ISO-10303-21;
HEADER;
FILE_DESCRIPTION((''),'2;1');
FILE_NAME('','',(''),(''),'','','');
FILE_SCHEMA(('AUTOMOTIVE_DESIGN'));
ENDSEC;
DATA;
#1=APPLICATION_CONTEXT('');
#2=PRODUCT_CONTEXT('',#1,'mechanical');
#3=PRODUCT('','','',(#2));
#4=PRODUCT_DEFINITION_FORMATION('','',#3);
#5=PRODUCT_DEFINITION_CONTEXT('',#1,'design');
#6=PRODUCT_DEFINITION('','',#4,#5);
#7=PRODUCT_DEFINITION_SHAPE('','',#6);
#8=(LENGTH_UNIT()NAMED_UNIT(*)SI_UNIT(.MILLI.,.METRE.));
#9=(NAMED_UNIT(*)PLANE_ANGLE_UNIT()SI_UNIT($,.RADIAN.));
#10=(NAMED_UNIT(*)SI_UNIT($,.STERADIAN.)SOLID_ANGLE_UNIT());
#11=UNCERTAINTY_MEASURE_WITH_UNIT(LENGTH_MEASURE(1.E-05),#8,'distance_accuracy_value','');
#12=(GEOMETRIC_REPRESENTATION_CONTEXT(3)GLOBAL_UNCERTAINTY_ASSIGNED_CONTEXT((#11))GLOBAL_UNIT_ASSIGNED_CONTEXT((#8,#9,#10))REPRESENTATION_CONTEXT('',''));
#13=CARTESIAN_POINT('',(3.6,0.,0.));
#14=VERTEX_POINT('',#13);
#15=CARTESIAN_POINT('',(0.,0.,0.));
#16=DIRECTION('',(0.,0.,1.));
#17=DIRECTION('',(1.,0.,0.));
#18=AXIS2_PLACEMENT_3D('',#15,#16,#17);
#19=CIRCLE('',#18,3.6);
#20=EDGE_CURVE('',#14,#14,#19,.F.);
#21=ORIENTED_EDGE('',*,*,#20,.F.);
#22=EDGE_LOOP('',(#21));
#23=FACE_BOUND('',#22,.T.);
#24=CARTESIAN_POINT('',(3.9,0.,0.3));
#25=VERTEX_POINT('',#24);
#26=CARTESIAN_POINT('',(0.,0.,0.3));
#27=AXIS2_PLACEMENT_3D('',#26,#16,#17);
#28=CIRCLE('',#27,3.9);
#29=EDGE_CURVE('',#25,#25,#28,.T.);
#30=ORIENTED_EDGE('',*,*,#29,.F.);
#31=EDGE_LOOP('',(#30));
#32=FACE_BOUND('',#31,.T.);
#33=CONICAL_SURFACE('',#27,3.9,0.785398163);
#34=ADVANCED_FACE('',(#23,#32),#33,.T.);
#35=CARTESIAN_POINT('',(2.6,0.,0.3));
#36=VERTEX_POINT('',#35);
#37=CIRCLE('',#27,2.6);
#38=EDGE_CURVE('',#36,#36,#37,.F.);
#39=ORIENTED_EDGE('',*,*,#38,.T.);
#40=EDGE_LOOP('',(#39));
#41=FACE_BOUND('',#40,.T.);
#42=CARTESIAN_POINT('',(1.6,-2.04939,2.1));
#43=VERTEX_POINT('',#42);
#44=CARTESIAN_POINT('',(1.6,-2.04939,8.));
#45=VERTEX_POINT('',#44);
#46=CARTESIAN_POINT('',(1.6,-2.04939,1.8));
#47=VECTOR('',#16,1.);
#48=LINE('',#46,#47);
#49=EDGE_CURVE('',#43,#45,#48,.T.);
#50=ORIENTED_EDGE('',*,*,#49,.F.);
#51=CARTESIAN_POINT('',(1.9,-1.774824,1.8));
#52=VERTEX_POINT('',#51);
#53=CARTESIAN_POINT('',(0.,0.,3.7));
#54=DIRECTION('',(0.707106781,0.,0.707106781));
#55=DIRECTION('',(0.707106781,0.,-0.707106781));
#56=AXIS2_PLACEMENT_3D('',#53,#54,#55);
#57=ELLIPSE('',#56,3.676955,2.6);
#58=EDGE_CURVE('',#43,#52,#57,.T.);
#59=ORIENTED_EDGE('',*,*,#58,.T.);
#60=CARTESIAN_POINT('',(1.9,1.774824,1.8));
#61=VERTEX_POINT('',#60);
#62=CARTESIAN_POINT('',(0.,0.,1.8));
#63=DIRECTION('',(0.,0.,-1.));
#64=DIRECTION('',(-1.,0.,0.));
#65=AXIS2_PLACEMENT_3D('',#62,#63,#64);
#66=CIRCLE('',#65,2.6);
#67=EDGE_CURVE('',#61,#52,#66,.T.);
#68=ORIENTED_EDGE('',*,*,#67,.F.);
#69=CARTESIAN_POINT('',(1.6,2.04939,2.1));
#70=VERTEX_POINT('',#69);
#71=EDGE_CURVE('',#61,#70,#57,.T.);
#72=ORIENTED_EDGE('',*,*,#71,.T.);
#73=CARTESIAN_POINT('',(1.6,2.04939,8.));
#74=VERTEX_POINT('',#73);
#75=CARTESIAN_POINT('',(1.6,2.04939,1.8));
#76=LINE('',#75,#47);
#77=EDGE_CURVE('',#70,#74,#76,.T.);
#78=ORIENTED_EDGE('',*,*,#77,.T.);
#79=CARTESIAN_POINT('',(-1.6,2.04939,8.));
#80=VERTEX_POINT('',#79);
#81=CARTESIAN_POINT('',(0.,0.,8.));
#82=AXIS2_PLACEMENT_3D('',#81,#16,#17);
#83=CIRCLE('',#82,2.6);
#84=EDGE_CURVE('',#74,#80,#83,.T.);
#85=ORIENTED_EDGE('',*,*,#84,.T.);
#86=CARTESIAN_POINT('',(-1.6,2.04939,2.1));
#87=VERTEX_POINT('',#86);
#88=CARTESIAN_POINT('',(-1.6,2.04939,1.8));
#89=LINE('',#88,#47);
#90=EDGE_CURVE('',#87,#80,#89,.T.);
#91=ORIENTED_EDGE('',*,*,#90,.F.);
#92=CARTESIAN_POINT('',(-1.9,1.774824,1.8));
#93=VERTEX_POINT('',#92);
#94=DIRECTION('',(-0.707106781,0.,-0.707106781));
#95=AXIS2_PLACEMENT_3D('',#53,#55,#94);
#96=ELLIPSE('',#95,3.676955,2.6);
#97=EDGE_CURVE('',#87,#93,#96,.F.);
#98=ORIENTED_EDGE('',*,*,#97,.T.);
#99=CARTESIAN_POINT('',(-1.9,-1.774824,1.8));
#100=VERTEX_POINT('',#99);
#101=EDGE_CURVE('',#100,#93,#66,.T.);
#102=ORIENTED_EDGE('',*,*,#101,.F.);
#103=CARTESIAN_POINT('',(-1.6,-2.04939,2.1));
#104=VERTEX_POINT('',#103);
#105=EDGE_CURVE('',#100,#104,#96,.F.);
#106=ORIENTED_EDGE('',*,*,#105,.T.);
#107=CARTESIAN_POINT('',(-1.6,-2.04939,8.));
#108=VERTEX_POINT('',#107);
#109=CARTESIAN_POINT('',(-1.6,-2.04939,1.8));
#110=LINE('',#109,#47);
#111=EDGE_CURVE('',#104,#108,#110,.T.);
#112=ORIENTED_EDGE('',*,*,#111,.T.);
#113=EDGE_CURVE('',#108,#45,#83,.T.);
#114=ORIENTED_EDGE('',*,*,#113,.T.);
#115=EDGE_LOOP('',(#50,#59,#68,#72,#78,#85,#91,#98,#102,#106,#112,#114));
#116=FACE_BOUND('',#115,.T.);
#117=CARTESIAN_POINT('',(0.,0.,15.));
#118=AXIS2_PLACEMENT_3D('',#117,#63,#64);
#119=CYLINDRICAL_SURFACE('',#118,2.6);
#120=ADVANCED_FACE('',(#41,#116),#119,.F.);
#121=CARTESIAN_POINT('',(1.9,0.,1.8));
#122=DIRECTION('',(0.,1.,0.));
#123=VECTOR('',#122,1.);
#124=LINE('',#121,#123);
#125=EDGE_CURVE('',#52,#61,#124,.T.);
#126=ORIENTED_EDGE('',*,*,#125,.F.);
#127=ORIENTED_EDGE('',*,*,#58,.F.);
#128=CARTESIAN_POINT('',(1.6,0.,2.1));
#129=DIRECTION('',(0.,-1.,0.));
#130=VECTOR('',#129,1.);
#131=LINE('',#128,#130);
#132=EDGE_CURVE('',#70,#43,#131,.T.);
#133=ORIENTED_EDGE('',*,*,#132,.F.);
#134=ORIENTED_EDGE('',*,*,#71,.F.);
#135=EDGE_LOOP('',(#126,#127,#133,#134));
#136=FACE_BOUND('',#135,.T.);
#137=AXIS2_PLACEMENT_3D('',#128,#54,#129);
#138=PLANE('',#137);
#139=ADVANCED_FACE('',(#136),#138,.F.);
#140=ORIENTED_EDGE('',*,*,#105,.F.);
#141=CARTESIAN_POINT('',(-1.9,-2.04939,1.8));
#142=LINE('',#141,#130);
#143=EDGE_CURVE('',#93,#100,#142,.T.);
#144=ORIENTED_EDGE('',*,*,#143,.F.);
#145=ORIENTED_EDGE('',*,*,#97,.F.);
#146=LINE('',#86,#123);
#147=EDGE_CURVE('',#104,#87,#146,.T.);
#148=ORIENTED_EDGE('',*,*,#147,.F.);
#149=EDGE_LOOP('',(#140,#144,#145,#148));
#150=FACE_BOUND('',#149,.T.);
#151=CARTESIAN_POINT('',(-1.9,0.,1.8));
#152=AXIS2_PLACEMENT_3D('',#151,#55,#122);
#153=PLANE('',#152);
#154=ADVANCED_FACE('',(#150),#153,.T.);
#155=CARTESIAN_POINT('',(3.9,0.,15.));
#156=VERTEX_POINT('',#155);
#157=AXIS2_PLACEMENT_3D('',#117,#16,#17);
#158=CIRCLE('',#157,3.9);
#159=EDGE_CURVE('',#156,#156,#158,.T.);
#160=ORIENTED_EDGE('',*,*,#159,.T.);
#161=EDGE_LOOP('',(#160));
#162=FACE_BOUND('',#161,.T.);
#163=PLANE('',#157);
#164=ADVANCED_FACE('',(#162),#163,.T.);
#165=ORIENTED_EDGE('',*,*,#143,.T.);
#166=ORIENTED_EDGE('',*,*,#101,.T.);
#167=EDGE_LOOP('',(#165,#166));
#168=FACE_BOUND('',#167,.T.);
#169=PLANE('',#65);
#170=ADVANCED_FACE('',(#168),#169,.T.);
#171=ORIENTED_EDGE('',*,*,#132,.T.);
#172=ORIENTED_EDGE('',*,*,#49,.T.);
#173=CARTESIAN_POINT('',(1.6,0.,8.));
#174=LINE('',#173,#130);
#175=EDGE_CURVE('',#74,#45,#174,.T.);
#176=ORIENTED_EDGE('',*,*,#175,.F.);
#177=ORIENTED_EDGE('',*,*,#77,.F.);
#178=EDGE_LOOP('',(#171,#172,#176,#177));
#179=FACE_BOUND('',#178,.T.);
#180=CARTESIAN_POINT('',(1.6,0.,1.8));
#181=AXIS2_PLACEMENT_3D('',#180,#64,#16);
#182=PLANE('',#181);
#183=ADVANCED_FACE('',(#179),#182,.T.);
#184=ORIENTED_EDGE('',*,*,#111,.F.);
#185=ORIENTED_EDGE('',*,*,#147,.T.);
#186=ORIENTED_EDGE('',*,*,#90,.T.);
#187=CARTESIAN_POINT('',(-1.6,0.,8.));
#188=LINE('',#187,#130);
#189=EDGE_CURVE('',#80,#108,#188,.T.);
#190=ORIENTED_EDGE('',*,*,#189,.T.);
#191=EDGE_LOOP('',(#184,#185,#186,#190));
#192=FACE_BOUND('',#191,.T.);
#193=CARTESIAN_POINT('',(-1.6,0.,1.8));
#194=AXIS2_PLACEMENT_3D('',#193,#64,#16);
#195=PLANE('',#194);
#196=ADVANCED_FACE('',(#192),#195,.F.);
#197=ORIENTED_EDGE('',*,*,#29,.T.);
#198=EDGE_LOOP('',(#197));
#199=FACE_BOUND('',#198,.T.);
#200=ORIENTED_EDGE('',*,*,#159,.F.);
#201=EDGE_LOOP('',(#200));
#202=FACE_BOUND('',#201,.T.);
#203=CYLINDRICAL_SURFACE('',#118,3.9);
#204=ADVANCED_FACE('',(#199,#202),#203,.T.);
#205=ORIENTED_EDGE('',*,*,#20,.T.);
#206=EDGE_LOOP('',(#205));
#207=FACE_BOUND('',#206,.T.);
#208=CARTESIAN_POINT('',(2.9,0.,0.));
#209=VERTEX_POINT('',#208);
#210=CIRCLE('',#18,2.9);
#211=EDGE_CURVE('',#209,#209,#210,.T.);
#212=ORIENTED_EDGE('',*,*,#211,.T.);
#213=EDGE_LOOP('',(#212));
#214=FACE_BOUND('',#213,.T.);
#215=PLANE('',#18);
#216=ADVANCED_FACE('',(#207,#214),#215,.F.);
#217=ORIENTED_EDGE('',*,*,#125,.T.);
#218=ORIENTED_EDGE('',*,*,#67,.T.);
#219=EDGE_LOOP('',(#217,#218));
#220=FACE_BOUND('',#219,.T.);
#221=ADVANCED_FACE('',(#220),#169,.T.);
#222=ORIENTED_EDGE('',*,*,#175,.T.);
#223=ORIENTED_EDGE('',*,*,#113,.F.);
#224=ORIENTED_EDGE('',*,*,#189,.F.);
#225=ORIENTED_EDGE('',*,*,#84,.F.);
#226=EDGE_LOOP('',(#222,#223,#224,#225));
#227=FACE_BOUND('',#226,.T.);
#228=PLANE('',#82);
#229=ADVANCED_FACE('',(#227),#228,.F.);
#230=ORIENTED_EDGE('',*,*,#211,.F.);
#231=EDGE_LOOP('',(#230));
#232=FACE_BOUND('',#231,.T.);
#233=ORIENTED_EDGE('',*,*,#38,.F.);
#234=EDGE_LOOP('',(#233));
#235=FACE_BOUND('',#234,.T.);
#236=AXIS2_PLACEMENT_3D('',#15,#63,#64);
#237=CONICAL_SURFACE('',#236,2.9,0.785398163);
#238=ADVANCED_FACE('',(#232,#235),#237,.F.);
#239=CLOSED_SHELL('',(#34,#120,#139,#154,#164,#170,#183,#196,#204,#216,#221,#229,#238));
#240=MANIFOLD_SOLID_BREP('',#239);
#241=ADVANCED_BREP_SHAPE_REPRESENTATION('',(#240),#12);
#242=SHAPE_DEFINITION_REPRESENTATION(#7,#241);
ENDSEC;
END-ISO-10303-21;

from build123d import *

# Parameters (mm, degrees)
SKETCH_1_R      = 3.9
SKETCH_1_R_2    = 2.6
EXTRUDE_1_DEPTH = 15
EXTRUDE_START   = -7
SKETCH_2_R      = 2.6
EXTRUDE_2_DEPTH = 7
EXTRUDE_START_2 = 6.2
EXTRUDE_3_DEPTH = 6.2
CHAMFER_1_SIZE  = 0.3
CHAMFER_2_SIZE  = 0.3
CHAMFER_3_SIZE  = 0.3


with BuildPart() as part:
    # 草图1 → 凸台-拉伸1 (new body)
    with BuildSketch(Plane.XY):
        Circle(SKETCH_1_R)
        Circle(SKETCH_1_R_2, mode=Mode.SUBTRACT)
    extrude(amount=EXTRUDE_1_DEPTH)

    # 草图2 → 凸台-拉伸2 (add)
    with BuildSketch(Plane.XY.offset(15).offset(EXTRUDE_START)):
        Circle(SKETCH_2_R)
    extrude(amount=EXTRUDE_2_DEPTH)

    # 草图3 → 凸台-拉伸3 (add)
    with BuildSketch(Plane(origin=(0, 0, 8), x_dir=(-1, 0, 0), z_dir=(0, 0, -1)).offset(EXTRUDE_START_2)):
        with BuildLine():
            Line((-1.6, -2.049390153), (-1.6, 2.049390153))
            ThreePointArc((-1.6, 2.049390153), (-2.6, 0), (-1.6, -2.049390153))
        make_face()
        with BuildLine():
            ThreePointArc((2.6, 0), (2.336664289, 1.140175425), (1.6, 2.049390153))
            Line((1.6, 2.049390153), (1.6, -2.049390153))
            ThreePointArc((1.6, -2.049390153), (2.336664289, -1.140175425), (2.6, 0))
        make_face()
    extrude(amount=-EXTRUDE_3_DEPTH)

    # 倒角1
    chamfer_1_edges = [part.edges().sort_by_distance(p)[0] for p in [
        (-2.6, 0, 0),
    ]]
    chamfer(chamfer_1_edges, length=CHAMFER_1_SIZE)

    # 倒角2
    chamfer_2_edges = [part.edges().sort_by_distance(p)[0] for p in [
        (-3.9, 0, 0),
    ]]
    chamfer(chamfer_2_edges, length=CHAMFER_2_SIZE)

    # 倒角3
    chamfer_3_edges = [part.edges().sort_by_distance(p)[0] for p in [
        (1.6, 0, 1.8),
        (-1.6, 0, 1.8),
    ]]
    chamfer(chamfer_3_edges, length=CHAMFER_3_SIZE)


solid = part.part
